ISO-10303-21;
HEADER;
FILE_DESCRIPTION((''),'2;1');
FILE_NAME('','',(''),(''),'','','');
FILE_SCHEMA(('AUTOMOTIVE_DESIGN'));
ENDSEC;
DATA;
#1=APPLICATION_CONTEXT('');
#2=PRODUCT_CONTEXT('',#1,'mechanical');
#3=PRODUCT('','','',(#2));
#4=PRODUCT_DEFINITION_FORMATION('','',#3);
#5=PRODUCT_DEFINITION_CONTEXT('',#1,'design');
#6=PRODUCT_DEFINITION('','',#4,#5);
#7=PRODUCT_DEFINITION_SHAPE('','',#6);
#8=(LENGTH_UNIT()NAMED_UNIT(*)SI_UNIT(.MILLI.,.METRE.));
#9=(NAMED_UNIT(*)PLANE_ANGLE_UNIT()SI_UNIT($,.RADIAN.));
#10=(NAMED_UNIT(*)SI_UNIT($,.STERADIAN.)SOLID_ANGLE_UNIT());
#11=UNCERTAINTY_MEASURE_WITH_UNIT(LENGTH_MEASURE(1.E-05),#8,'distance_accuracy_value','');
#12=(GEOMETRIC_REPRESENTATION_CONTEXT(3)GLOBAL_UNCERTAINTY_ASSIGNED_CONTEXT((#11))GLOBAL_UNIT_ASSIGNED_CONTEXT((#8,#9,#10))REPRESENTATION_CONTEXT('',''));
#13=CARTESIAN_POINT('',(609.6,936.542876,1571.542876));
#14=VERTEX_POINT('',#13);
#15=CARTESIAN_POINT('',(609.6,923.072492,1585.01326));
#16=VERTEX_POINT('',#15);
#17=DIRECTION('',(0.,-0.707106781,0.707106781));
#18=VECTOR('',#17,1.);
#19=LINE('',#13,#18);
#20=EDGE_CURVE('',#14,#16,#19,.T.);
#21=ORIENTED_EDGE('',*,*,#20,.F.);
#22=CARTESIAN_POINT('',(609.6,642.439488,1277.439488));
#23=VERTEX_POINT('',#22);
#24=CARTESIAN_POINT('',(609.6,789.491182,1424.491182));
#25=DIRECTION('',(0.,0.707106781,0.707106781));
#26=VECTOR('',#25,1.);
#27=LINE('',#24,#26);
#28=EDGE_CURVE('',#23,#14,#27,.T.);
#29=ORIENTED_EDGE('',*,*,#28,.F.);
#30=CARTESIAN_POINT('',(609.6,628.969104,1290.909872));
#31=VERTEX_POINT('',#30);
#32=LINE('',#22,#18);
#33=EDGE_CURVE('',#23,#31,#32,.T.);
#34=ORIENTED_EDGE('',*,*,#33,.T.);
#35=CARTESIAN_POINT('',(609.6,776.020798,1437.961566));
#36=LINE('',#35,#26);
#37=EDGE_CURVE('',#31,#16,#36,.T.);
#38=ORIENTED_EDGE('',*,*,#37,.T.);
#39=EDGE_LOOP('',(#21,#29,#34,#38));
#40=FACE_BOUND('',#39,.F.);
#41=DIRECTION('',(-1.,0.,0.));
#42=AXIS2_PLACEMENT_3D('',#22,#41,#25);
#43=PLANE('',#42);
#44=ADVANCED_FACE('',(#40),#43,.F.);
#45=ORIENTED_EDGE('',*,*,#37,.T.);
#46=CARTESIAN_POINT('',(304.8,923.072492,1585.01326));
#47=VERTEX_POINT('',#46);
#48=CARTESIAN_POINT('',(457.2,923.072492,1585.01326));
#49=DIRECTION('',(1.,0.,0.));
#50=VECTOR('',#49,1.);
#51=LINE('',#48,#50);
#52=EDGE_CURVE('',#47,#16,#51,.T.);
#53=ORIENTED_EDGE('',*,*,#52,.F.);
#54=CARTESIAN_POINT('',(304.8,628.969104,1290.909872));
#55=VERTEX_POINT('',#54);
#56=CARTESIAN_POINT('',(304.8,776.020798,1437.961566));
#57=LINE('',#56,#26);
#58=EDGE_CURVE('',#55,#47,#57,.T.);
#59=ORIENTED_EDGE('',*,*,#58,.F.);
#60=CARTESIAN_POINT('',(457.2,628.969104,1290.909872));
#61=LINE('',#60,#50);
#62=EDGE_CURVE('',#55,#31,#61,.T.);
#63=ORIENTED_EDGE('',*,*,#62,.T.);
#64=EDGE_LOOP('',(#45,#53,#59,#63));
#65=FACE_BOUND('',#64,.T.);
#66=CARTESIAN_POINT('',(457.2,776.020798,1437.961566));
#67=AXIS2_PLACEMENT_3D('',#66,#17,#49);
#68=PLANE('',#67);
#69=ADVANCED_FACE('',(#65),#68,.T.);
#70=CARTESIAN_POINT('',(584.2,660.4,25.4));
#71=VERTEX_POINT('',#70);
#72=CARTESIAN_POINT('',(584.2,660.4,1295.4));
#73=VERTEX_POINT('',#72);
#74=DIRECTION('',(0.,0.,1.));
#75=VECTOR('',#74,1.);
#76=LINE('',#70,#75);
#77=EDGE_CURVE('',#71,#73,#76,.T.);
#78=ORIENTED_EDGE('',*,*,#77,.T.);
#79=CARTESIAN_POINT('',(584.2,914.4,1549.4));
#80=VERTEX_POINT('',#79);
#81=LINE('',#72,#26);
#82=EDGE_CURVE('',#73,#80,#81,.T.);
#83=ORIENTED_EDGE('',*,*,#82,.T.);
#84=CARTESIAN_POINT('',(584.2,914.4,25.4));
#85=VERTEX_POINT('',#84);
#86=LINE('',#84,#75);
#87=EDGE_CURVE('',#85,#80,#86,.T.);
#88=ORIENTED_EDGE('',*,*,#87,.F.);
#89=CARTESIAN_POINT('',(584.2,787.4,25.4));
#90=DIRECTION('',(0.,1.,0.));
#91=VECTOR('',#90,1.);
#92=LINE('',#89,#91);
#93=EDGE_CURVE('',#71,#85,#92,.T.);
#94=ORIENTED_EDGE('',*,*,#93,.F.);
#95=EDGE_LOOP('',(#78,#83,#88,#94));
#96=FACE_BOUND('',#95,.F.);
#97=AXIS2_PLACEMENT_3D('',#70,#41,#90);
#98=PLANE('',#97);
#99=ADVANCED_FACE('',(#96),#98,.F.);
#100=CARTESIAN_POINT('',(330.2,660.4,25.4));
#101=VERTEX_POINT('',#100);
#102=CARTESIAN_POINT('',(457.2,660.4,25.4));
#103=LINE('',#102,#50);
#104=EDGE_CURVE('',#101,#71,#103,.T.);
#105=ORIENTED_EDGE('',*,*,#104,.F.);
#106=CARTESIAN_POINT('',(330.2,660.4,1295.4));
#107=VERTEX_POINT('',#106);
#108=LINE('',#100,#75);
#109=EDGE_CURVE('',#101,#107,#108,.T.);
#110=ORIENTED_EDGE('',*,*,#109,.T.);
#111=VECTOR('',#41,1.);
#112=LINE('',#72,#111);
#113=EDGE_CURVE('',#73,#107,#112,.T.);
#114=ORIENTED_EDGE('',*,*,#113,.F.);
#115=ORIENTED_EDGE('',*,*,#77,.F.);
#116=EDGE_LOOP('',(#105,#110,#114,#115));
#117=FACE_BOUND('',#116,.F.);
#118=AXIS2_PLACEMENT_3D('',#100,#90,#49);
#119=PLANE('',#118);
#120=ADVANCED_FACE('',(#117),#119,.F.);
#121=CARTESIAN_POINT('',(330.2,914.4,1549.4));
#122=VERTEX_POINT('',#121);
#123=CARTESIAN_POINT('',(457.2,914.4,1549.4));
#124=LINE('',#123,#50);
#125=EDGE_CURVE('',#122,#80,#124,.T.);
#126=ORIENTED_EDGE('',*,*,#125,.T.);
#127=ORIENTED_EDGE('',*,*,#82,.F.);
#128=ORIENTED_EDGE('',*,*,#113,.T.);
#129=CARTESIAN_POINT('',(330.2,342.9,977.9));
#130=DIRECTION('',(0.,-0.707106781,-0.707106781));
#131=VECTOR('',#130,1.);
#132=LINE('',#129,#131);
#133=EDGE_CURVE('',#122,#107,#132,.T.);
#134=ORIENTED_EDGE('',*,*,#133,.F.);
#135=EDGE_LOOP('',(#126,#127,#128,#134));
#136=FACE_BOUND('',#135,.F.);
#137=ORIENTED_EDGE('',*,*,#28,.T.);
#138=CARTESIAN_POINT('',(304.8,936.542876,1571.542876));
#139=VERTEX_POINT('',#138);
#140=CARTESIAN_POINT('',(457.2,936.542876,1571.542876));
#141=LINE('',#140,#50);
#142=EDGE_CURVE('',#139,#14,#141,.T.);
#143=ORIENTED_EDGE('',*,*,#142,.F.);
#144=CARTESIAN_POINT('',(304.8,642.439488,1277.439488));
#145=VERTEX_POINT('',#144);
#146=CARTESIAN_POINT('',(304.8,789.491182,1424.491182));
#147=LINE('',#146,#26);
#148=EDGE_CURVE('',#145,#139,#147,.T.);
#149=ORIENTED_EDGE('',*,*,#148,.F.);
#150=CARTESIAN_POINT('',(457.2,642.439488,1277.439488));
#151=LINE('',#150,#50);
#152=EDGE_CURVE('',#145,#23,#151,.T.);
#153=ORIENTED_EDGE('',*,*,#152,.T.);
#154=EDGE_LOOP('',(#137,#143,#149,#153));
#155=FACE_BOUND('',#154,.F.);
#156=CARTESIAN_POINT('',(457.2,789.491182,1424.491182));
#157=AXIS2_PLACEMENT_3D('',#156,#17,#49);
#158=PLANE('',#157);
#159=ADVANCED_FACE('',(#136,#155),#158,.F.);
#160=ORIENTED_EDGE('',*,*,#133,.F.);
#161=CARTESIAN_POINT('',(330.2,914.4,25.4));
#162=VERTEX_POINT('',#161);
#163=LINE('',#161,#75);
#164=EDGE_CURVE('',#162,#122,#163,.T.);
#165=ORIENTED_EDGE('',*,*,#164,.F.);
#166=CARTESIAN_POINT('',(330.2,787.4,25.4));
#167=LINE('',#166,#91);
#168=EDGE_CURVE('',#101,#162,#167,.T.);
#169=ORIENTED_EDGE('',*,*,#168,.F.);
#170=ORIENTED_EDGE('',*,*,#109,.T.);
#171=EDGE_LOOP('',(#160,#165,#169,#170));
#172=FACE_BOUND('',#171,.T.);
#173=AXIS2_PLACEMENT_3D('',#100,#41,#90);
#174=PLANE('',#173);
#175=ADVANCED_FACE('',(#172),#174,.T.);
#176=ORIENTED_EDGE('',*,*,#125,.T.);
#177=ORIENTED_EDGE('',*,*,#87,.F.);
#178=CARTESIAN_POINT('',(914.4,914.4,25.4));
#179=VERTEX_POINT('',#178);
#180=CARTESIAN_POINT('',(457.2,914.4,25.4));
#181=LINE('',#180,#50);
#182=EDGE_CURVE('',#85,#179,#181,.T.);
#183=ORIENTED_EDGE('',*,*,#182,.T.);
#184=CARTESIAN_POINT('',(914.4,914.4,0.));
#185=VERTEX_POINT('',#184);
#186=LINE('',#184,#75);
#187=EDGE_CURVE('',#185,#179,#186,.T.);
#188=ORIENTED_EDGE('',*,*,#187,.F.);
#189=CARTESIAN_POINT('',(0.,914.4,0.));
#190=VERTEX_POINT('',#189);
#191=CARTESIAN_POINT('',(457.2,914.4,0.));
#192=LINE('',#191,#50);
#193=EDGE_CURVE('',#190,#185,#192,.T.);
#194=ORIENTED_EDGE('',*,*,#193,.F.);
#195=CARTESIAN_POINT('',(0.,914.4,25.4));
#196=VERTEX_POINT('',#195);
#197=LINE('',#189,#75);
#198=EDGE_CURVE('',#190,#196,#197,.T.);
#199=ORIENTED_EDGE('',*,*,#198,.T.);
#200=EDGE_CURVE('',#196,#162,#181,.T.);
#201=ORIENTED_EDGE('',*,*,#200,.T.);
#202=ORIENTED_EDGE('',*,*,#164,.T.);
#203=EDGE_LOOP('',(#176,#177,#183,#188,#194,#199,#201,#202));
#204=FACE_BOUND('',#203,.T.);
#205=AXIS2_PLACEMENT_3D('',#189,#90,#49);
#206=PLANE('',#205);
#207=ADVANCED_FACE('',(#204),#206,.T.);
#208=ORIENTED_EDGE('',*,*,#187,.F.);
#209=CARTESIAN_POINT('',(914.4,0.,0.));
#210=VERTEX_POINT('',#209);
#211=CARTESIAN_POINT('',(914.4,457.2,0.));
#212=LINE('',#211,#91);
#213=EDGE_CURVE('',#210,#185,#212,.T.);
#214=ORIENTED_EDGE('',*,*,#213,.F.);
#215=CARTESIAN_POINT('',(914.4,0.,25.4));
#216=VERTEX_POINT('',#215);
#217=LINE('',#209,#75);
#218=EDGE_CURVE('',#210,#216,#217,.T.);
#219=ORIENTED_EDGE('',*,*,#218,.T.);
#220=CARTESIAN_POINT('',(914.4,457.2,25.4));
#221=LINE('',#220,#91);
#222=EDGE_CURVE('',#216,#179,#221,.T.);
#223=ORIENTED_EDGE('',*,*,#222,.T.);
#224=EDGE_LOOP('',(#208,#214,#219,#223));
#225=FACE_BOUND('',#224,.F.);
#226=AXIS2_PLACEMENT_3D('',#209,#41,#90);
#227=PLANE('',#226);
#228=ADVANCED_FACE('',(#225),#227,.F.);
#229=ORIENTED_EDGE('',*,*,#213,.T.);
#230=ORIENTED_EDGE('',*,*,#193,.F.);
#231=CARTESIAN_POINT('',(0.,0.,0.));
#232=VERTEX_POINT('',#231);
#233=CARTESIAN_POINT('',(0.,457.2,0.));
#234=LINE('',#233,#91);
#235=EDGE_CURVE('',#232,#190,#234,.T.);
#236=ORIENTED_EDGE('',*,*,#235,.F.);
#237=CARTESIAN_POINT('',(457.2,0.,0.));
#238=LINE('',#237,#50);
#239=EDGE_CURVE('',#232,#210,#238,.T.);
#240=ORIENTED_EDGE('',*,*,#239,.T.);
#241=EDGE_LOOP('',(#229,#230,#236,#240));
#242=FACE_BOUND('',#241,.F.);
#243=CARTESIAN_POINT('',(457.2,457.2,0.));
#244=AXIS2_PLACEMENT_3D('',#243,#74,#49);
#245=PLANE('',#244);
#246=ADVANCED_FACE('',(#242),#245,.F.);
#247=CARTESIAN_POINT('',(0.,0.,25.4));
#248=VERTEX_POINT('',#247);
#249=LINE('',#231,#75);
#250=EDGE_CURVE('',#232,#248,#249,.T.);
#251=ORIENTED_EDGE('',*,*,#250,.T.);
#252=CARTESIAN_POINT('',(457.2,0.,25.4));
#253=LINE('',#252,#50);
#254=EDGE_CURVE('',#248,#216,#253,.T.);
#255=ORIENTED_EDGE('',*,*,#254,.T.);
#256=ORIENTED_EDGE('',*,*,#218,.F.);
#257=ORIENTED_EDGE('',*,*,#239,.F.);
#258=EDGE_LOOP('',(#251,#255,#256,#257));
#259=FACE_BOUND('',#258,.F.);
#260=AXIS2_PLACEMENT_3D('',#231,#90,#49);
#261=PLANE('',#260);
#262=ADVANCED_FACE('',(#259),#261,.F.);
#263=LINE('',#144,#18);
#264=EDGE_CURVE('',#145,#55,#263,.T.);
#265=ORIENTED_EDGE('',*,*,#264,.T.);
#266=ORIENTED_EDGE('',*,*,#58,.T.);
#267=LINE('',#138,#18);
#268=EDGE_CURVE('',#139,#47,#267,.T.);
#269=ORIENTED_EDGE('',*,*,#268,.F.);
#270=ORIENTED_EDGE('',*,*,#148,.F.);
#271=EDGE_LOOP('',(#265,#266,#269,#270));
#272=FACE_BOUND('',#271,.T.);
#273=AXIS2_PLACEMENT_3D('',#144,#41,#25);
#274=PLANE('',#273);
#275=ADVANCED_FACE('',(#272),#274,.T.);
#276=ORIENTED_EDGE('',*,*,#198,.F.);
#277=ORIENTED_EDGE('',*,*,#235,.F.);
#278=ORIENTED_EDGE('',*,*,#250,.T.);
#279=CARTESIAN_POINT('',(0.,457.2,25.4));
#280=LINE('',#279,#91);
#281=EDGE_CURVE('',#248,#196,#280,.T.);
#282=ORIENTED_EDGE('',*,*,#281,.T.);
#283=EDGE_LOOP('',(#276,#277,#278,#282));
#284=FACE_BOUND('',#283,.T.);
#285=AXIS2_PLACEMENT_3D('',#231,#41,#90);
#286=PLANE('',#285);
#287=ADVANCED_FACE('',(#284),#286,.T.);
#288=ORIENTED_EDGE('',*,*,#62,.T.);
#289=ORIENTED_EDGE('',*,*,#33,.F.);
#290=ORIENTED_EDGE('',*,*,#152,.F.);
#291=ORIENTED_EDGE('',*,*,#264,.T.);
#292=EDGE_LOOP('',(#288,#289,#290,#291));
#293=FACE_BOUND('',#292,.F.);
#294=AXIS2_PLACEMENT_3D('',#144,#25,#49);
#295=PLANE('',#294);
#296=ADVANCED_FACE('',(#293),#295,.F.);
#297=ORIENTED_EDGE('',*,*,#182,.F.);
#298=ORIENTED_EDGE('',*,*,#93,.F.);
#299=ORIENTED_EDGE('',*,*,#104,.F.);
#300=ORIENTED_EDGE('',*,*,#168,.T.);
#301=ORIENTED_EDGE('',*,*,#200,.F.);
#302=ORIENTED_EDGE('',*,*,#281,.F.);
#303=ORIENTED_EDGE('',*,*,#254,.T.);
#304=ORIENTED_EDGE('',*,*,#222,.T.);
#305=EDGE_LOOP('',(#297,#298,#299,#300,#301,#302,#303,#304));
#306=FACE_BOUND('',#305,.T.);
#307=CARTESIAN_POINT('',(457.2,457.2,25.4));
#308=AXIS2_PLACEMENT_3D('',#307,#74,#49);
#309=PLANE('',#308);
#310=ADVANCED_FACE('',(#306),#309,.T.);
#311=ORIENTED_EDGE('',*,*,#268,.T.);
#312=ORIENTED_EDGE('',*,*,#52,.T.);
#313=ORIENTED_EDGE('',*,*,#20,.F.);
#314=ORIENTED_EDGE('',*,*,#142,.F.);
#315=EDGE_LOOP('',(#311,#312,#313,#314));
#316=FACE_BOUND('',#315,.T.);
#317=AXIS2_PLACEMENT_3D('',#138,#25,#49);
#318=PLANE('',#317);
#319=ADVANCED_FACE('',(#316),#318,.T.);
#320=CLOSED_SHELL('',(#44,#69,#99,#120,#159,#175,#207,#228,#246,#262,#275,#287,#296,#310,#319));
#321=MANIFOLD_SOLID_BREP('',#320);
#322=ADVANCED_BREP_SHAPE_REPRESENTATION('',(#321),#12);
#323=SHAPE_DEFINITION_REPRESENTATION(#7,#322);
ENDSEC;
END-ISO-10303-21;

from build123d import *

# Parameters (mm, degrees)
F0_W     = 914.4
F0_H     = 914.4
F1_DEPTH = 25.4
F2_W     = 254
F2_H     = 254
F3_DEPTH = 1524
F5_DEPTH = 584.201
F6_W     = 304.8
F6_H     = 415.925
F7_DEPTH = 19.05


with BuildPart() as f1:
    # F0 (on Top) → F1 (new body)
    with BuildSketch(Plane.XY):
        with Locations((457.2, 457.2)):
            Rectangle(F0_W, F0_H)
    extrude(amount=F1_DEPTH)

    # F2 (on face) → F3 (join)
    with BuildSketch(Plane.XY.offset(25.4)):
        with Locations((457.2, 787.4)):
            Rectangle(F2_W, F2_H)
    extrude(amount=F3_DEPTH)

    # F4 (on face) → F5 (cut, through all)
    with BuildSketch(Plane.YZ.offset(584.2)):
        Polygon((660.4, 1295.4), (914.4, 1549.4), (660.4, 1549.4), align=None)
    extrude(amount=-F5_DEPTH, mode=Mode.SUBTRACT)

    # F6 (on face) → F7 (join)
    with BuildSketch(Plane(origin=(0, -317.5, 317.5), x_dir=(1, 0, 0), z_dir=(0, -0.707107, 0.707107))):
        with Locations((457.2, 1565.521943)):
            Rectangle(F6_W, F6_H)
    extrude(amount=F7_DEPTH)


solid = f1.part
